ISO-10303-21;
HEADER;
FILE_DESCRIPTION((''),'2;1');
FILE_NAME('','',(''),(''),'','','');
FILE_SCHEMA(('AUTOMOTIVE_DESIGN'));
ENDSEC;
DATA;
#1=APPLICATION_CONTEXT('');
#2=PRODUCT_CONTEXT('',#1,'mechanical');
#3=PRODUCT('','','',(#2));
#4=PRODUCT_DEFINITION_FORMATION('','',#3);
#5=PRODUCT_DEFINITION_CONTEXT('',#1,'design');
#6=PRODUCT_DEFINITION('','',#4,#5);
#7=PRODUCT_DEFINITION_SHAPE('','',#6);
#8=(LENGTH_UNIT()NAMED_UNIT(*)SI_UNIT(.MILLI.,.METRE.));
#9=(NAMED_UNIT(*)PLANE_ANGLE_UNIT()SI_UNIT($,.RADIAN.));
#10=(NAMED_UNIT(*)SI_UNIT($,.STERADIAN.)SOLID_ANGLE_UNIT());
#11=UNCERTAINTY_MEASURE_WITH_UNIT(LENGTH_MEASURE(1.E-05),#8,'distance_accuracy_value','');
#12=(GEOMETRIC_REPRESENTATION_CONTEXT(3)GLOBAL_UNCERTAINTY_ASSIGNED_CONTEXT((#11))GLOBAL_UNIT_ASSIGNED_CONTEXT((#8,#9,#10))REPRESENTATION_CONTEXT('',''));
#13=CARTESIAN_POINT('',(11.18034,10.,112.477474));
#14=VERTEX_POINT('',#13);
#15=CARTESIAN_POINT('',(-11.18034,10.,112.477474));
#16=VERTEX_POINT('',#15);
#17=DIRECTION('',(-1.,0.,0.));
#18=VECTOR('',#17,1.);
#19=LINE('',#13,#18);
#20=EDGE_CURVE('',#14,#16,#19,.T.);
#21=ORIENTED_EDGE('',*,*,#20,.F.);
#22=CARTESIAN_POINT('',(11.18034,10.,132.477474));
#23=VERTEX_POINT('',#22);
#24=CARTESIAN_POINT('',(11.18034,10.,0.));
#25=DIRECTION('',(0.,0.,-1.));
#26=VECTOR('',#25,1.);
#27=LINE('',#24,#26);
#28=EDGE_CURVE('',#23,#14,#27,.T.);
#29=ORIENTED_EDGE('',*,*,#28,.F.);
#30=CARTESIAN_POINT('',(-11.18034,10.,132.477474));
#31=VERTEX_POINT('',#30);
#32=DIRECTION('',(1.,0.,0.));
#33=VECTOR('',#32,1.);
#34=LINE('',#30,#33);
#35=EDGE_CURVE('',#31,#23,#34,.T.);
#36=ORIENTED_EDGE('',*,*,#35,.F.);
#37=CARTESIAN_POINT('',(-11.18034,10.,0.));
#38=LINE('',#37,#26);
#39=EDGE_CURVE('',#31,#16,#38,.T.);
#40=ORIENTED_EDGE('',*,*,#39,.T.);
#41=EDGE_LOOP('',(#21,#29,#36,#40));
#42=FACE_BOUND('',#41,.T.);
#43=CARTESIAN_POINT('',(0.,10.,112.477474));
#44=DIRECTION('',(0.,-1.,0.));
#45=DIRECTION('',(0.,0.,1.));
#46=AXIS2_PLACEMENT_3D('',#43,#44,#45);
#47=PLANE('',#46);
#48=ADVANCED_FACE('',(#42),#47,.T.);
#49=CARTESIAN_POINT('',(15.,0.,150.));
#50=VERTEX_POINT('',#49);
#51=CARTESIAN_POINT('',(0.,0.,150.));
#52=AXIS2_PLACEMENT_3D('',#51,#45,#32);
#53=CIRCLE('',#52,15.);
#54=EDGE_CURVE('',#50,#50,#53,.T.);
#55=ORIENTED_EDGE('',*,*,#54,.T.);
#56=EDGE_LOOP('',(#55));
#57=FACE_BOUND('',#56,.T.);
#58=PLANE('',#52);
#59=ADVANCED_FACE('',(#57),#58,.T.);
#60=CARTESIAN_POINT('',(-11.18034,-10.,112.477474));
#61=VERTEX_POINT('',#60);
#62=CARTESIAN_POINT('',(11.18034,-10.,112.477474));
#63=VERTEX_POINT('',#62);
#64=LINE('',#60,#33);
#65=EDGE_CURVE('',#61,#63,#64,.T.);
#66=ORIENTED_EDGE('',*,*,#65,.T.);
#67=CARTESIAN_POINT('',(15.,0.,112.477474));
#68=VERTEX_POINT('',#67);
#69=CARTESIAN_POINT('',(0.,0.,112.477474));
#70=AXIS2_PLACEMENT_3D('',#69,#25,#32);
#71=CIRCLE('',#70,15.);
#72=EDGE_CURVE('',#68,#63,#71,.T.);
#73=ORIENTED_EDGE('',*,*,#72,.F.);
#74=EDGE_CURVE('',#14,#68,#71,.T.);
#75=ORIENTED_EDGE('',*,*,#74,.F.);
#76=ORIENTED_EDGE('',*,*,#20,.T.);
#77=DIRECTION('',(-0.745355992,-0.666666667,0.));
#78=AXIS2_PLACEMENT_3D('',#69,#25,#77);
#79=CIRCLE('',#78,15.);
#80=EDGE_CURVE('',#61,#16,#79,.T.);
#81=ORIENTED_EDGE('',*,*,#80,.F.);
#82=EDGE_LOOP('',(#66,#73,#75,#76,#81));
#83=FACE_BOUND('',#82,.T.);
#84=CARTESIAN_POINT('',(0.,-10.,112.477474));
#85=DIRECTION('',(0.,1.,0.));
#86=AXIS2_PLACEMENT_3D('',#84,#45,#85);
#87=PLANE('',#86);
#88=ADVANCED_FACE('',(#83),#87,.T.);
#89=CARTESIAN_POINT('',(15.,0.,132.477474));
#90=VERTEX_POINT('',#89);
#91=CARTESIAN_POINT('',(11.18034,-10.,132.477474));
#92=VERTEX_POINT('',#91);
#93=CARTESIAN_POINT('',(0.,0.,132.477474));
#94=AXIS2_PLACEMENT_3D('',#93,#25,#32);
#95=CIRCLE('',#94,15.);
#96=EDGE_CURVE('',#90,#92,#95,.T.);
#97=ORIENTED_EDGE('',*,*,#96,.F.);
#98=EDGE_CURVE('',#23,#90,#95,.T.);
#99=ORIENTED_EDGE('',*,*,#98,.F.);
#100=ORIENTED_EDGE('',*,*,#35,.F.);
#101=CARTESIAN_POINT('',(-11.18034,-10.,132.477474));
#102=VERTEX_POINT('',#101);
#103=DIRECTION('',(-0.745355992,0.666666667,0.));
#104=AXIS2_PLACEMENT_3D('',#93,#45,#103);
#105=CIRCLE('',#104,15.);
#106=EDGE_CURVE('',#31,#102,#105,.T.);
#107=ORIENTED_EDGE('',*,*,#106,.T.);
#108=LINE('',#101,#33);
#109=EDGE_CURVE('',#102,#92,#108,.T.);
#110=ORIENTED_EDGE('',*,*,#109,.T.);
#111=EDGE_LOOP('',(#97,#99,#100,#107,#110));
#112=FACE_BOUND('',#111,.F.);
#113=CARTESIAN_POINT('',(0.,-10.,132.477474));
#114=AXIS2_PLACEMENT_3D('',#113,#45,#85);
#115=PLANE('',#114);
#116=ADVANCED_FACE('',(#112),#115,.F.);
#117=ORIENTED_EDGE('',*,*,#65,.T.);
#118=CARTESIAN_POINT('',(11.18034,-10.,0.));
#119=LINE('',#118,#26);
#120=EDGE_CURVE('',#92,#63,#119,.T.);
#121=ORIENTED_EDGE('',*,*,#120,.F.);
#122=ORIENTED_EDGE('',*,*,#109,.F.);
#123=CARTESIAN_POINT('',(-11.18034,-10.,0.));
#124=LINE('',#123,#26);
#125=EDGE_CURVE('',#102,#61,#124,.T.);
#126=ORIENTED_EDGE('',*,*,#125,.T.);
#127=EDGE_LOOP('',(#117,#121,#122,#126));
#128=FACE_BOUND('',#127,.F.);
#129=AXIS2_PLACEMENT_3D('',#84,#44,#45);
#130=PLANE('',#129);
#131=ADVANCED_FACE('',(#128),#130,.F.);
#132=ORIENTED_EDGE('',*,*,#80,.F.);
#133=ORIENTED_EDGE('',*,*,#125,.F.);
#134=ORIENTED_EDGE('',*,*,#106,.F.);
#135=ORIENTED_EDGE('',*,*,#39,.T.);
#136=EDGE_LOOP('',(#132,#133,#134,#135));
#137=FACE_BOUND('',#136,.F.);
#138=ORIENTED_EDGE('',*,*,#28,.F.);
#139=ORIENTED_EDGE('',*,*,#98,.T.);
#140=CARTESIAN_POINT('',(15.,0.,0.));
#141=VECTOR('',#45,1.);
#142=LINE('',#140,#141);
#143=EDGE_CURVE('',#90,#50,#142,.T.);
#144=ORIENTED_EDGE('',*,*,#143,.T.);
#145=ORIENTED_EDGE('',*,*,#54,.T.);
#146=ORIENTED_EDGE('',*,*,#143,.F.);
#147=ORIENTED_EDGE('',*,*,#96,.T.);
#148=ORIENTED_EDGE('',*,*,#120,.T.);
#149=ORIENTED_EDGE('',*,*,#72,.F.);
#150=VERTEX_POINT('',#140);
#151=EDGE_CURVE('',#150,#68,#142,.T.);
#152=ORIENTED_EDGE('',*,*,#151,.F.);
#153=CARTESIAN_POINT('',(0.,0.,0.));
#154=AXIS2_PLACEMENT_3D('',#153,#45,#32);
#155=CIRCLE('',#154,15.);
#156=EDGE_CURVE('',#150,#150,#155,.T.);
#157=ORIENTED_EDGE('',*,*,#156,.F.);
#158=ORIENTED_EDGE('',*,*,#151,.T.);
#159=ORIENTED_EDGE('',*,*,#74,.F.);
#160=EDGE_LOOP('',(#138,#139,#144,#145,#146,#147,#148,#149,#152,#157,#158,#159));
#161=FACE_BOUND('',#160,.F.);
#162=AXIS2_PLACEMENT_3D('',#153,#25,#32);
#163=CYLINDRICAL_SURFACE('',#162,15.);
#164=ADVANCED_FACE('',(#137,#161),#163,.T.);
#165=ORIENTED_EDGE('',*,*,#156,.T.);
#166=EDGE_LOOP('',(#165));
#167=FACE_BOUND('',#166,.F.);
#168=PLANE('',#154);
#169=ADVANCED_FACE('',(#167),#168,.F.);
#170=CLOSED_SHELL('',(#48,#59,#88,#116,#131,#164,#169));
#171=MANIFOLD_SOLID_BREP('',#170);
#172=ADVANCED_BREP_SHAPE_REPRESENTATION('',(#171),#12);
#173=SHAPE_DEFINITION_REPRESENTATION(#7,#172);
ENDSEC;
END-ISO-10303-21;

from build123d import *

# Parameters (mm, degrees)
F0_R          = 15
F1_DEPTH      = 150
F2_W          = 20
F2_H          = 20
F3_DEPTH      = 15
F3_DEPTH_BACK = 15


with BuildPart() as f1:
    # F0 (on Top) → F1 (new body)
    with BuildSketch(Plane.XY):
        Circle(F0_R)
    extrude(amount=F1_DEPTH)

    # F2 (on Right) → F3 (cut, two sides)
    with BuildSketch(Plane.YZ) as f3_sk:
        with Locations((0, 122.4774739146)):
            Rectangle(F2_W, F2_H)
    extrude(amount=-F3_DEPTH, mode=Mode.SUBTRACT)
    extrude(f3_sk.sketch, amount=F3_DEPTH_BACK, mode=Mode.SUBTRACT)


solid = f1.part
